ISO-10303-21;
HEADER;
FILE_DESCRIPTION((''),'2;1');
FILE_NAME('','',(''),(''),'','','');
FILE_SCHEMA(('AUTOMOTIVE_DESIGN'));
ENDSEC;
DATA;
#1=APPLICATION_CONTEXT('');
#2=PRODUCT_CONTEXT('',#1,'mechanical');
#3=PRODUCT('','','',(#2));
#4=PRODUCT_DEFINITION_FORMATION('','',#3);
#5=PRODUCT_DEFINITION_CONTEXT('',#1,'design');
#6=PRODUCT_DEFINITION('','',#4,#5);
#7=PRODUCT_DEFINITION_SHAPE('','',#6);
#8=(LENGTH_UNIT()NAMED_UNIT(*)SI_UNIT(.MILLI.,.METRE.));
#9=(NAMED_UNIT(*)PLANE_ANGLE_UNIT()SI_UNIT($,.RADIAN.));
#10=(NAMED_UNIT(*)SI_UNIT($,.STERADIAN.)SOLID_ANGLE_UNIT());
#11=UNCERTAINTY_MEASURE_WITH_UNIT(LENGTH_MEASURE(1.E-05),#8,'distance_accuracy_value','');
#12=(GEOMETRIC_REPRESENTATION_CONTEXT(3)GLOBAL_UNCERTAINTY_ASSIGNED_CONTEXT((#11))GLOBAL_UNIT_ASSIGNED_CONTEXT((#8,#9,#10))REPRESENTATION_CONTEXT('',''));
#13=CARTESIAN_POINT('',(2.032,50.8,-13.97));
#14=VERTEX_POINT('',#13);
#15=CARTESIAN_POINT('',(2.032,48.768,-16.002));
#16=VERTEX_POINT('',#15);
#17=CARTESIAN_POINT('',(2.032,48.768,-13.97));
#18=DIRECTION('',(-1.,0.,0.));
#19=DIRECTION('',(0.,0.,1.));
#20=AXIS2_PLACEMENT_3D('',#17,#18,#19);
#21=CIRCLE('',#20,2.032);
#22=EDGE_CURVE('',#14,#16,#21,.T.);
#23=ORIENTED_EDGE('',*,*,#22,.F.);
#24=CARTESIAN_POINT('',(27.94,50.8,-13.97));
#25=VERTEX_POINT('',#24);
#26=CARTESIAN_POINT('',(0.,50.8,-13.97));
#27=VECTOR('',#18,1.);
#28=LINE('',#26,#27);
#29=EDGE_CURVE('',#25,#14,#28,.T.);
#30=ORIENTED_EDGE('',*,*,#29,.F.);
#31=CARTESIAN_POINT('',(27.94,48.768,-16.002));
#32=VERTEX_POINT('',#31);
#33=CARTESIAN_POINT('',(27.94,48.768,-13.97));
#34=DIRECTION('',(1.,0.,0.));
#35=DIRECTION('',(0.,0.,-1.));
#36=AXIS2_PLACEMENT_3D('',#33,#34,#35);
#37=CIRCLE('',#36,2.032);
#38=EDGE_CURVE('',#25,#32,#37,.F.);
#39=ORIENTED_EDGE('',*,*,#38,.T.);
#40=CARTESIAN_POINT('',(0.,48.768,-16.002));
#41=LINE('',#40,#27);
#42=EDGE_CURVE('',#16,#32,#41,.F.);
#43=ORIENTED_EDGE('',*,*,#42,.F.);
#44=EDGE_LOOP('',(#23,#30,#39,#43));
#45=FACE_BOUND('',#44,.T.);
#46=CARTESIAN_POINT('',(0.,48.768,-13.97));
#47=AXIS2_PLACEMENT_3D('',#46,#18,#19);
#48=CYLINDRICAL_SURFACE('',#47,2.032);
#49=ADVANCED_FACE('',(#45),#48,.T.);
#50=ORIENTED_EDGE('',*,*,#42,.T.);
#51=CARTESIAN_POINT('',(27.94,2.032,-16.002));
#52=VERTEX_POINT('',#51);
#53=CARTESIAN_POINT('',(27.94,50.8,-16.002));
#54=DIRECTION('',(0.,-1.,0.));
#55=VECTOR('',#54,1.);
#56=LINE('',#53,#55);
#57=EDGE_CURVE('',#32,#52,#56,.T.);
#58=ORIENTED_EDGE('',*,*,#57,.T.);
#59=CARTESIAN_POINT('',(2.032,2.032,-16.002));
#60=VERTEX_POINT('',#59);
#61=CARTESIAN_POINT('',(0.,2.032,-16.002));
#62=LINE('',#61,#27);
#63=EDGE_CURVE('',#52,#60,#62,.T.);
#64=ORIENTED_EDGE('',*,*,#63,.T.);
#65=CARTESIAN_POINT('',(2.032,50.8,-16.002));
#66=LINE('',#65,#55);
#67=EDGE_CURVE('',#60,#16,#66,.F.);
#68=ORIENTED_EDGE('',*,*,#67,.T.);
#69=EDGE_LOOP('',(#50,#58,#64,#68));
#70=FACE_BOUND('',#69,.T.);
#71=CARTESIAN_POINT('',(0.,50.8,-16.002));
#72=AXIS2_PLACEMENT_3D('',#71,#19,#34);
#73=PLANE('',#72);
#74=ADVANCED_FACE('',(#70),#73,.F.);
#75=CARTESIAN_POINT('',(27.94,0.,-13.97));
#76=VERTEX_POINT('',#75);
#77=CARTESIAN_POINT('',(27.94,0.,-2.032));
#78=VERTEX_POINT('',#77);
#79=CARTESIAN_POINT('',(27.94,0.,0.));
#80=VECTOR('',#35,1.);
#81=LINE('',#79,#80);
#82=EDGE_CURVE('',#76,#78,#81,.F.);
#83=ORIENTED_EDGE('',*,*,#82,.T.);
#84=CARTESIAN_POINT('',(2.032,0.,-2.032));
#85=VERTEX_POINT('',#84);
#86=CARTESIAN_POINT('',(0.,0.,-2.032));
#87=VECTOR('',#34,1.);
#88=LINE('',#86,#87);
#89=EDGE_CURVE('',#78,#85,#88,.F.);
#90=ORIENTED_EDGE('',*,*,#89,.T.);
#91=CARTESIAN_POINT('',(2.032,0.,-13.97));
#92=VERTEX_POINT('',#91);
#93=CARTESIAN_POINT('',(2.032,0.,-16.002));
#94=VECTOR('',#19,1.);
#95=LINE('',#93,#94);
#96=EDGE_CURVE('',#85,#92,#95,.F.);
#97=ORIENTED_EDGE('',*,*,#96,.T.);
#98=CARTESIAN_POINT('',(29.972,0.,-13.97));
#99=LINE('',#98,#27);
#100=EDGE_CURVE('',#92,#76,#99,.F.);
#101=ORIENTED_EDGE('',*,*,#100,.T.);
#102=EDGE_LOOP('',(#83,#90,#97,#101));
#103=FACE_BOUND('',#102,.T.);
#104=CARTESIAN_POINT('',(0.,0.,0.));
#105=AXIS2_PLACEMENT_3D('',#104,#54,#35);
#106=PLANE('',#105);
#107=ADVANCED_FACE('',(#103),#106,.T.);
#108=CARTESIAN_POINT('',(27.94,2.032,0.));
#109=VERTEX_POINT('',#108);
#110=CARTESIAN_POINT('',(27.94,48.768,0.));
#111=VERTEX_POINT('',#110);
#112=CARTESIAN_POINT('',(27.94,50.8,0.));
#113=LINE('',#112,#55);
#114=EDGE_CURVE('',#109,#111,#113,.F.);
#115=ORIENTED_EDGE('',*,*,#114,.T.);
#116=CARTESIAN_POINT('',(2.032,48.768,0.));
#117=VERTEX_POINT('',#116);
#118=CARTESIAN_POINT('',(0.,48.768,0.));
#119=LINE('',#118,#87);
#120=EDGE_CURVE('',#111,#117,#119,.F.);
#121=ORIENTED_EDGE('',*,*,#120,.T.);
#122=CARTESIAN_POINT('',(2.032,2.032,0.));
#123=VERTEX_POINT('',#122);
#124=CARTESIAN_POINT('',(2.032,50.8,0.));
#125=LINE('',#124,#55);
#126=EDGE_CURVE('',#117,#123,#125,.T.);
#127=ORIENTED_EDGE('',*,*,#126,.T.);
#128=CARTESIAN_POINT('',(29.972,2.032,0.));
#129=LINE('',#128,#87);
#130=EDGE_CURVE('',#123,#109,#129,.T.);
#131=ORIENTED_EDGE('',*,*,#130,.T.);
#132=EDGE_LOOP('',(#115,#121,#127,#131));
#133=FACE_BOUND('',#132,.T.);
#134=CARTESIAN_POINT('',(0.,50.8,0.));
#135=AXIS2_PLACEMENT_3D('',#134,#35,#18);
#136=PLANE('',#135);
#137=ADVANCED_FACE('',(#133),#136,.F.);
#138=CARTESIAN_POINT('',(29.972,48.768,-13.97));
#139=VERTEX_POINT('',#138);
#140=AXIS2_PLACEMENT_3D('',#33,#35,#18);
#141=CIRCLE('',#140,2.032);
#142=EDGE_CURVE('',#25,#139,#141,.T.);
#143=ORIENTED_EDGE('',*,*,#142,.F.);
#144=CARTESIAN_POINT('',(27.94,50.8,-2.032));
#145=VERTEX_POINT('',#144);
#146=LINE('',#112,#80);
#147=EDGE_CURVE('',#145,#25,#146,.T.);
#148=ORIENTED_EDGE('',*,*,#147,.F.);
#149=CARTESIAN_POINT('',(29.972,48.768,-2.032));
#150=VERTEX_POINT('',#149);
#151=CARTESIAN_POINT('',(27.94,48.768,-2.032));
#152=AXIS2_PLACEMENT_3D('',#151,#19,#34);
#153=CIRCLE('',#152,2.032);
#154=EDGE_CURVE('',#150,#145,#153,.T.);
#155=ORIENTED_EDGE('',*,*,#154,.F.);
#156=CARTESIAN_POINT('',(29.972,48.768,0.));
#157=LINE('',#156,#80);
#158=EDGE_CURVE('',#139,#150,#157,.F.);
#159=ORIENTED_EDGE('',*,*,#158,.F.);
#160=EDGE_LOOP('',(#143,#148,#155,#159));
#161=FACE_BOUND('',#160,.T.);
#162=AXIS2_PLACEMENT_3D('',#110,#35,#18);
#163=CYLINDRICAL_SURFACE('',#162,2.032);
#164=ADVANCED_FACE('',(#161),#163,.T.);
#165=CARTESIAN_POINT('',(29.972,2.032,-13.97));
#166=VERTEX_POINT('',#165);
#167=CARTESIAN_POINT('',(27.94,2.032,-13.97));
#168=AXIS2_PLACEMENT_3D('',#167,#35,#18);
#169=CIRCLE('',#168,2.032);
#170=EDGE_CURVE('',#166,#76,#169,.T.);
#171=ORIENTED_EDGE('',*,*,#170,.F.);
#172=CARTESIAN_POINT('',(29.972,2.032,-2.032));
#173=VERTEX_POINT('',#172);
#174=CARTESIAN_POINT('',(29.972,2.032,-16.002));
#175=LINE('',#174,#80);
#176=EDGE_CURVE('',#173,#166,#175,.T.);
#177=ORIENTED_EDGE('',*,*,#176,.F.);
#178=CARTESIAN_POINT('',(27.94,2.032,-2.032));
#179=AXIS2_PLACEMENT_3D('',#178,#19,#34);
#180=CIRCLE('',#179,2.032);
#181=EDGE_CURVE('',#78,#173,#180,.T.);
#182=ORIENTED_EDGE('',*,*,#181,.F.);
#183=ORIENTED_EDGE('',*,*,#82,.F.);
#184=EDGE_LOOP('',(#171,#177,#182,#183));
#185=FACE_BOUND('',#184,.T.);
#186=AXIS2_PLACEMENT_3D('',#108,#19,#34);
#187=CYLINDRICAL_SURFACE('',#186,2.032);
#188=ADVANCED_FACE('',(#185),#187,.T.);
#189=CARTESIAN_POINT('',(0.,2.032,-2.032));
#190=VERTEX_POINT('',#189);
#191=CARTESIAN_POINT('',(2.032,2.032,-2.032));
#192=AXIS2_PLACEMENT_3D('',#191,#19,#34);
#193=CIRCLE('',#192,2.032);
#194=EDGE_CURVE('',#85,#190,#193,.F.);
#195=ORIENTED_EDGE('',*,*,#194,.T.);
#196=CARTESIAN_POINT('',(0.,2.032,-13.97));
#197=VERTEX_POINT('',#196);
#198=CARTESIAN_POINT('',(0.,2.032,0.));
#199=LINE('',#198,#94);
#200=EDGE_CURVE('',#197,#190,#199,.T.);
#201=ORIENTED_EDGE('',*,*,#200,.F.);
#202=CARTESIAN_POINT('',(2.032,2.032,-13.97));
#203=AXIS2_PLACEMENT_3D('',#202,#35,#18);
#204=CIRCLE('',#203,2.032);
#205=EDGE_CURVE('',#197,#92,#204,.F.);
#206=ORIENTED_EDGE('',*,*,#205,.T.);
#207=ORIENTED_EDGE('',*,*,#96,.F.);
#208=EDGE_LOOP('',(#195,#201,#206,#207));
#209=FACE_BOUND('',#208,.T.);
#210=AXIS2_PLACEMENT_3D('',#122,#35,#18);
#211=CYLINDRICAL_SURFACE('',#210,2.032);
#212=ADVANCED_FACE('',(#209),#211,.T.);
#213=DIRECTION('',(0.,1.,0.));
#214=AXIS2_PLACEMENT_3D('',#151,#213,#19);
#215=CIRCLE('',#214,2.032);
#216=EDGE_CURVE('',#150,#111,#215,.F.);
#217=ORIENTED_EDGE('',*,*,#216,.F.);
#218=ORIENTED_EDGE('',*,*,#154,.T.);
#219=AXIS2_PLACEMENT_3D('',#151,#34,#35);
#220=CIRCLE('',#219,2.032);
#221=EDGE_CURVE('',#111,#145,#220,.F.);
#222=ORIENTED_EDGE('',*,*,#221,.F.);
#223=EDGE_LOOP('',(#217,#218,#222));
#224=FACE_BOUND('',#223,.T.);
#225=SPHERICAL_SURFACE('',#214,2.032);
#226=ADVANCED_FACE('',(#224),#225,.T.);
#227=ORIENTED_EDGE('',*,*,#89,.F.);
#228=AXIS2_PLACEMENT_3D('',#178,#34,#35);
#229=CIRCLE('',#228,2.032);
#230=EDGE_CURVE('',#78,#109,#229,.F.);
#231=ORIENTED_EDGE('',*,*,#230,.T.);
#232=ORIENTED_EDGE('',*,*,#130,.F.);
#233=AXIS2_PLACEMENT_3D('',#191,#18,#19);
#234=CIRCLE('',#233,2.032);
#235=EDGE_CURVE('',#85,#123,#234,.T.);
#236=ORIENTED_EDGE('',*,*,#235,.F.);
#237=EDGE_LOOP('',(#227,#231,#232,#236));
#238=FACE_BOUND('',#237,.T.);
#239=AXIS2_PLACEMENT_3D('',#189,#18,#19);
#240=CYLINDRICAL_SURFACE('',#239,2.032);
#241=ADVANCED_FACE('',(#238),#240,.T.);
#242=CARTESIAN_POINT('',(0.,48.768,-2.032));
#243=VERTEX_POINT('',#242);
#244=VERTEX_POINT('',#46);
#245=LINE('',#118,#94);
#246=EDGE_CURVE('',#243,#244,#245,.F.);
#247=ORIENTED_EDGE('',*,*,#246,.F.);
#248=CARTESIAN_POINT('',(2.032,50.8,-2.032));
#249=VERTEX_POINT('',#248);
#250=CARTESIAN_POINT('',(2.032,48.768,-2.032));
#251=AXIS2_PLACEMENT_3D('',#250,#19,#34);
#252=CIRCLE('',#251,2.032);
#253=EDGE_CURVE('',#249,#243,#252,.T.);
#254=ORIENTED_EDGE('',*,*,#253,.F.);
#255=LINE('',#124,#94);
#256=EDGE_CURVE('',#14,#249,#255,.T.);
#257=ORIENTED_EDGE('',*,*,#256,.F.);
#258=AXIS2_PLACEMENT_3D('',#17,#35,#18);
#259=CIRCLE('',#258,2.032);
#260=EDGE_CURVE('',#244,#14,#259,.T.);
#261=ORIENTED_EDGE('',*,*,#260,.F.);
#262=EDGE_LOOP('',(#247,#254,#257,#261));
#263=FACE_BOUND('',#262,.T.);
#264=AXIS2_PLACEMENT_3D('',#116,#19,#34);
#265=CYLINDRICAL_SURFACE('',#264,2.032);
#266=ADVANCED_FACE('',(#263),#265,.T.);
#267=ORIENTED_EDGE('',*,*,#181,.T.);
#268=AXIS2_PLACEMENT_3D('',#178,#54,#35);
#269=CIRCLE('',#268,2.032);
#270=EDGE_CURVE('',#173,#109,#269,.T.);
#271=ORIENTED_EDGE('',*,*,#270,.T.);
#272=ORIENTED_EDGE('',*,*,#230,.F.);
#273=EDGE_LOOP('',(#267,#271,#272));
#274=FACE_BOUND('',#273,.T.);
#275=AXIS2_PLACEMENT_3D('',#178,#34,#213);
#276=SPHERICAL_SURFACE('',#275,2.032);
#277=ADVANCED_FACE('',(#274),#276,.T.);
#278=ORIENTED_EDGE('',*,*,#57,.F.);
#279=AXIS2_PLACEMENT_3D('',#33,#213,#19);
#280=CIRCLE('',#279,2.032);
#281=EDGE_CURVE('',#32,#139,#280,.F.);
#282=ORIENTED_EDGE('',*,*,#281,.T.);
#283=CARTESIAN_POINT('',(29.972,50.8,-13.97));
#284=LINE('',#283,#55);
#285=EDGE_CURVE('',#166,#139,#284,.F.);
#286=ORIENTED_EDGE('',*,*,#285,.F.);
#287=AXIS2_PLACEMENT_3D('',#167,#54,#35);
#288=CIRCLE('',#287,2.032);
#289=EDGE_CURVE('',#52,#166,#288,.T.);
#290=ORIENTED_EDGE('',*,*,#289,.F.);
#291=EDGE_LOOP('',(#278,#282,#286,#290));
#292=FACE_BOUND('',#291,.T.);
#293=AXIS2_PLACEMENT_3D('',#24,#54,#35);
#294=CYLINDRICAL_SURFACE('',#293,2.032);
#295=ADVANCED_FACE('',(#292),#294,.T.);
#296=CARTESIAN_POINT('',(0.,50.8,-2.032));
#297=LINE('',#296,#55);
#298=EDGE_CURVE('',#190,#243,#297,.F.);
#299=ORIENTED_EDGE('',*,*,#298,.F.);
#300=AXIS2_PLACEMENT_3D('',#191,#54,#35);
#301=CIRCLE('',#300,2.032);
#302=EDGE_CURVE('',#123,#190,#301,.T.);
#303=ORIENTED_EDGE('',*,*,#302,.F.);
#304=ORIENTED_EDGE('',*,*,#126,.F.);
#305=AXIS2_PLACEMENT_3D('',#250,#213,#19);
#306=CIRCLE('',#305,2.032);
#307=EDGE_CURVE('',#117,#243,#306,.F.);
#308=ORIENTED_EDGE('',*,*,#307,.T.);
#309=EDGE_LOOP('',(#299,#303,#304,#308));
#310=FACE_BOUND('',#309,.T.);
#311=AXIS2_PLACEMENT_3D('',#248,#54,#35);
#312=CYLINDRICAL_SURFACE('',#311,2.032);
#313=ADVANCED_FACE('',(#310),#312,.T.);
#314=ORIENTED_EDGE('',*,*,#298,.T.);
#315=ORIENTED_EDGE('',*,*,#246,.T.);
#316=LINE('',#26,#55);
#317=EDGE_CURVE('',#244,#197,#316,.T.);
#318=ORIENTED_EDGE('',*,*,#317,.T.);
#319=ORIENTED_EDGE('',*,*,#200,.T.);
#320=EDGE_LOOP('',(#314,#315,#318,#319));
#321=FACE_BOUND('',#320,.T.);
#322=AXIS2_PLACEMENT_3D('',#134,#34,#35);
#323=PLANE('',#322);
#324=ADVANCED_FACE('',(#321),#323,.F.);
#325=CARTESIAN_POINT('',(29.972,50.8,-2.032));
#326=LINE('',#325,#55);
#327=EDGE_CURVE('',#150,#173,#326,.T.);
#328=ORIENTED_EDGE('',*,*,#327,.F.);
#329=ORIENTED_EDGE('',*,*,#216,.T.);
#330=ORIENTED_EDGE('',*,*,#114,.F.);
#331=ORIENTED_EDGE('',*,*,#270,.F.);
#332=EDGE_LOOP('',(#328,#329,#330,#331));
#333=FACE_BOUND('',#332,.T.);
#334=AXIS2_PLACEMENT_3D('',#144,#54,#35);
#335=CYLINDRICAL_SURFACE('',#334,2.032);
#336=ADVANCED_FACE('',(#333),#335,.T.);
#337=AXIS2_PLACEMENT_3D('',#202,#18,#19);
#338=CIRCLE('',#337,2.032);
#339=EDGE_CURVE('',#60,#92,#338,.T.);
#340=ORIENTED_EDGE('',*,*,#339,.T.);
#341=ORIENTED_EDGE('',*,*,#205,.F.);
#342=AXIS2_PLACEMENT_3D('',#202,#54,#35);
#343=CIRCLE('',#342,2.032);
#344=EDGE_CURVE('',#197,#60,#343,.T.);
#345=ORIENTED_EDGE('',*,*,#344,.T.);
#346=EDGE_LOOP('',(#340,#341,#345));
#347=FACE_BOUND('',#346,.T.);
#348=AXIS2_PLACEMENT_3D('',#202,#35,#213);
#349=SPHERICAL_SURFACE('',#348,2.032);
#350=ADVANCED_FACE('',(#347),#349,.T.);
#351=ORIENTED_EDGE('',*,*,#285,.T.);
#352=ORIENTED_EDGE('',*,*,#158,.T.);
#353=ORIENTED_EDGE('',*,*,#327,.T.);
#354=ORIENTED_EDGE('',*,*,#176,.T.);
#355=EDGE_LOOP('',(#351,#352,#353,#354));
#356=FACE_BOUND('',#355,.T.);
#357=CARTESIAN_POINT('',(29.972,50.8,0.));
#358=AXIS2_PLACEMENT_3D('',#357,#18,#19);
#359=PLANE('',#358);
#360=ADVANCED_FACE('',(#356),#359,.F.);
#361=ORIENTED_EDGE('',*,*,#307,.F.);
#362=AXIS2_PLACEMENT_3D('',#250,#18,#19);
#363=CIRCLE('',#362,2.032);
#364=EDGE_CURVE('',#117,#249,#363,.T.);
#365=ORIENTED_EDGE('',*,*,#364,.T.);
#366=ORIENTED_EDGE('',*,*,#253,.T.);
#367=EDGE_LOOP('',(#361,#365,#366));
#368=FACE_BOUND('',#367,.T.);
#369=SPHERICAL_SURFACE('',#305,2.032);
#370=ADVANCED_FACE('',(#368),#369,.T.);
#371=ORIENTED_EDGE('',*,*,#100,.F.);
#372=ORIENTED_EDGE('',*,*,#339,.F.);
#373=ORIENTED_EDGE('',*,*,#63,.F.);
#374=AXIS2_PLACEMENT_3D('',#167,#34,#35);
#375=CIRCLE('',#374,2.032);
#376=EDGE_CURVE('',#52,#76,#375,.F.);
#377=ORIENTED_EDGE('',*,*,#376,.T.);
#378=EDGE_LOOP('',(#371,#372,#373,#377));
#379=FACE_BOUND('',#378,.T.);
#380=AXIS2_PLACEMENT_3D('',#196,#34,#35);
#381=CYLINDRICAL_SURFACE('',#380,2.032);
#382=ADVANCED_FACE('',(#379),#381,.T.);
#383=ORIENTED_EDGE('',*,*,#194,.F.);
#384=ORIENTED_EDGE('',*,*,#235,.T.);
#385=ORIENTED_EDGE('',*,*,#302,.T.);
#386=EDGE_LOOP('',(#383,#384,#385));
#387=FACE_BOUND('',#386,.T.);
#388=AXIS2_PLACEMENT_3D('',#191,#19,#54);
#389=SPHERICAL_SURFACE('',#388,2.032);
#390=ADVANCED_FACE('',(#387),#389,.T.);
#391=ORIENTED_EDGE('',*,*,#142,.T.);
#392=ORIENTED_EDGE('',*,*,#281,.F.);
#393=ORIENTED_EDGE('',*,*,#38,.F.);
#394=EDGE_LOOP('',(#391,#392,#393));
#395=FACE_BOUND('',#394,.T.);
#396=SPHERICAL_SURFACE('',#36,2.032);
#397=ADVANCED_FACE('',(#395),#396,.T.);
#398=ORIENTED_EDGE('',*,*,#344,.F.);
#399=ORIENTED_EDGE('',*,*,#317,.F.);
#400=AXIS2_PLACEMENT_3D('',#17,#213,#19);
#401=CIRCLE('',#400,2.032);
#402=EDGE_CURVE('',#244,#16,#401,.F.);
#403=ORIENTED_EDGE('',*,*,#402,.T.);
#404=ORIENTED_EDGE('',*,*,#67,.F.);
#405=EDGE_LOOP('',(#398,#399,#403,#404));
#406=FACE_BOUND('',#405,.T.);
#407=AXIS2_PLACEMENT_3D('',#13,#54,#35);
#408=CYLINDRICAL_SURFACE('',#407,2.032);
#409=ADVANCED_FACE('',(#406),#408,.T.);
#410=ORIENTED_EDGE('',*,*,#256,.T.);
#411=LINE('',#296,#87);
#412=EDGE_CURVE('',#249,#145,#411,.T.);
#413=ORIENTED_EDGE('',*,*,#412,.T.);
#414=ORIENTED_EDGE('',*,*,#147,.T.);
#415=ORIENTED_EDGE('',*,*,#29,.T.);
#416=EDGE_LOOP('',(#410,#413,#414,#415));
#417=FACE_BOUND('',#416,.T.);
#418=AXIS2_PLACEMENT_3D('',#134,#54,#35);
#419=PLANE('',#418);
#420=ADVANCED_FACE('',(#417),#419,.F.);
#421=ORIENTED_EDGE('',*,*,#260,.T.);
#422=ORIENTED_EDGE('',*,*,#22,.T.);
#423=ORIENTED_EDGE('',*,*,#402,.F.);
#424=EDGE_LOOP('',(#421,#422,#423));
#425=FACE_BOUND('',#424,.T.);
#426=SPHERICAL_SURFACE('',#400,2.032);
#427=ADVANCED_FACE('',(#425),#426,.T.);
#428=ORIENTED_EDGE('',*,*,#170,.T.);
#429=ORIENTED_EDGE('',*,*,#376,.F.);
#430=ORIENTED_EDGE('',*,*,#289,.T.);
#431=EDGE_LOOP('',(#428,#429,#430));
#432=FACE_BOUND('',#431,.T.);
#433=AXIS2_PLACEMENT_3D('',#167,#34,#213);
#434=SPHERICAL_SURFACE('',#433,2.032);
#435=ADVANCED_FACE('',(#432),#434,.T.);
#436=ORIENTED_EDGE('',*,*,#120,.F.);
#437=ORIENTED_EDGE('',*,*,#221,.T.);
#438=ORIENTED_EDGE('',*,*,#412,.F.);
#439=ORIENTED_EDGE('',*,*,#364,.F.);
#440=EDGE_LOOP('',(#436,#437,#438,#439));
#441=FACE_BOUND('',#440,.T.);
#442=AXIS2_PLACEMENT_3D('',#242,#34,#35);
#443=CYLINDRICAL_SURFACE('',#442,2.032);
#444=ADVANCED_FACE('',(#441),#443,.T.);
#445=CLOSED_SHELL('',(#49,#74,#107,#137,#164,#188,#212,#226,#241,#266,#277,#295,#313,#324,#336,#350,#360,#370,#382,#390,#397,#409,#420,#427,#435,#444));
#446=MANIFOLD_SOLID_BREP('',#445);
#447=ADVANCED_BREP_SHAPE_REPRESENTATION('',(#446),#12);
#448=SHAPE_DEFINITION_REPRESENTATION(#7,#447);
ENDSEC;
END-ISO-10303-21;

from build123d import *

# Parameters (mm, degrees)
SKETCH1_W           = 29.972
SKETCH1_H           = 16.002
BOSS_EXTRUDE1_DEPTH = 50.8
FILLET1_R           = 2.032


with BuildPart() as part:
    # Sketch1 → Boss-Extrude1 (new body)
    with BuildSketch(Plane(origin=(0, 0, 0), x_dir=(1, 0, 0), z_dir=(0, 1, 0))):
        with Locations((14.986, 8.001)):
            Rectangle(SKETCH1_W, SKETCH1_H)
    extrude(amount=BOSS_EXTRUDE1_DEPTH)

    # Fillet1
    fillet1_edges = [part.edges().sort_by_distance(p)[0] for p in [
        (29.972, 50.8, -8.001),
        (14.986, 50.8, -16.002),
        (0, 50.8, -8.001),
        (14.986, 0, -16.002),
        (29.972, 0, -8.001),
        (14.986, 0, 0),
        (0, 0, -8.001),
        (0, 25.4, -16.002),
        (29.972, 25.4, -16.002),
        (29.972, 25.4, 0),
        (0, 25.4, 0),
        (14.986, 50.8, 0),
    ]]
    fillet(fillet1_edges, radius=FILLET1_R)


solid = part.part
